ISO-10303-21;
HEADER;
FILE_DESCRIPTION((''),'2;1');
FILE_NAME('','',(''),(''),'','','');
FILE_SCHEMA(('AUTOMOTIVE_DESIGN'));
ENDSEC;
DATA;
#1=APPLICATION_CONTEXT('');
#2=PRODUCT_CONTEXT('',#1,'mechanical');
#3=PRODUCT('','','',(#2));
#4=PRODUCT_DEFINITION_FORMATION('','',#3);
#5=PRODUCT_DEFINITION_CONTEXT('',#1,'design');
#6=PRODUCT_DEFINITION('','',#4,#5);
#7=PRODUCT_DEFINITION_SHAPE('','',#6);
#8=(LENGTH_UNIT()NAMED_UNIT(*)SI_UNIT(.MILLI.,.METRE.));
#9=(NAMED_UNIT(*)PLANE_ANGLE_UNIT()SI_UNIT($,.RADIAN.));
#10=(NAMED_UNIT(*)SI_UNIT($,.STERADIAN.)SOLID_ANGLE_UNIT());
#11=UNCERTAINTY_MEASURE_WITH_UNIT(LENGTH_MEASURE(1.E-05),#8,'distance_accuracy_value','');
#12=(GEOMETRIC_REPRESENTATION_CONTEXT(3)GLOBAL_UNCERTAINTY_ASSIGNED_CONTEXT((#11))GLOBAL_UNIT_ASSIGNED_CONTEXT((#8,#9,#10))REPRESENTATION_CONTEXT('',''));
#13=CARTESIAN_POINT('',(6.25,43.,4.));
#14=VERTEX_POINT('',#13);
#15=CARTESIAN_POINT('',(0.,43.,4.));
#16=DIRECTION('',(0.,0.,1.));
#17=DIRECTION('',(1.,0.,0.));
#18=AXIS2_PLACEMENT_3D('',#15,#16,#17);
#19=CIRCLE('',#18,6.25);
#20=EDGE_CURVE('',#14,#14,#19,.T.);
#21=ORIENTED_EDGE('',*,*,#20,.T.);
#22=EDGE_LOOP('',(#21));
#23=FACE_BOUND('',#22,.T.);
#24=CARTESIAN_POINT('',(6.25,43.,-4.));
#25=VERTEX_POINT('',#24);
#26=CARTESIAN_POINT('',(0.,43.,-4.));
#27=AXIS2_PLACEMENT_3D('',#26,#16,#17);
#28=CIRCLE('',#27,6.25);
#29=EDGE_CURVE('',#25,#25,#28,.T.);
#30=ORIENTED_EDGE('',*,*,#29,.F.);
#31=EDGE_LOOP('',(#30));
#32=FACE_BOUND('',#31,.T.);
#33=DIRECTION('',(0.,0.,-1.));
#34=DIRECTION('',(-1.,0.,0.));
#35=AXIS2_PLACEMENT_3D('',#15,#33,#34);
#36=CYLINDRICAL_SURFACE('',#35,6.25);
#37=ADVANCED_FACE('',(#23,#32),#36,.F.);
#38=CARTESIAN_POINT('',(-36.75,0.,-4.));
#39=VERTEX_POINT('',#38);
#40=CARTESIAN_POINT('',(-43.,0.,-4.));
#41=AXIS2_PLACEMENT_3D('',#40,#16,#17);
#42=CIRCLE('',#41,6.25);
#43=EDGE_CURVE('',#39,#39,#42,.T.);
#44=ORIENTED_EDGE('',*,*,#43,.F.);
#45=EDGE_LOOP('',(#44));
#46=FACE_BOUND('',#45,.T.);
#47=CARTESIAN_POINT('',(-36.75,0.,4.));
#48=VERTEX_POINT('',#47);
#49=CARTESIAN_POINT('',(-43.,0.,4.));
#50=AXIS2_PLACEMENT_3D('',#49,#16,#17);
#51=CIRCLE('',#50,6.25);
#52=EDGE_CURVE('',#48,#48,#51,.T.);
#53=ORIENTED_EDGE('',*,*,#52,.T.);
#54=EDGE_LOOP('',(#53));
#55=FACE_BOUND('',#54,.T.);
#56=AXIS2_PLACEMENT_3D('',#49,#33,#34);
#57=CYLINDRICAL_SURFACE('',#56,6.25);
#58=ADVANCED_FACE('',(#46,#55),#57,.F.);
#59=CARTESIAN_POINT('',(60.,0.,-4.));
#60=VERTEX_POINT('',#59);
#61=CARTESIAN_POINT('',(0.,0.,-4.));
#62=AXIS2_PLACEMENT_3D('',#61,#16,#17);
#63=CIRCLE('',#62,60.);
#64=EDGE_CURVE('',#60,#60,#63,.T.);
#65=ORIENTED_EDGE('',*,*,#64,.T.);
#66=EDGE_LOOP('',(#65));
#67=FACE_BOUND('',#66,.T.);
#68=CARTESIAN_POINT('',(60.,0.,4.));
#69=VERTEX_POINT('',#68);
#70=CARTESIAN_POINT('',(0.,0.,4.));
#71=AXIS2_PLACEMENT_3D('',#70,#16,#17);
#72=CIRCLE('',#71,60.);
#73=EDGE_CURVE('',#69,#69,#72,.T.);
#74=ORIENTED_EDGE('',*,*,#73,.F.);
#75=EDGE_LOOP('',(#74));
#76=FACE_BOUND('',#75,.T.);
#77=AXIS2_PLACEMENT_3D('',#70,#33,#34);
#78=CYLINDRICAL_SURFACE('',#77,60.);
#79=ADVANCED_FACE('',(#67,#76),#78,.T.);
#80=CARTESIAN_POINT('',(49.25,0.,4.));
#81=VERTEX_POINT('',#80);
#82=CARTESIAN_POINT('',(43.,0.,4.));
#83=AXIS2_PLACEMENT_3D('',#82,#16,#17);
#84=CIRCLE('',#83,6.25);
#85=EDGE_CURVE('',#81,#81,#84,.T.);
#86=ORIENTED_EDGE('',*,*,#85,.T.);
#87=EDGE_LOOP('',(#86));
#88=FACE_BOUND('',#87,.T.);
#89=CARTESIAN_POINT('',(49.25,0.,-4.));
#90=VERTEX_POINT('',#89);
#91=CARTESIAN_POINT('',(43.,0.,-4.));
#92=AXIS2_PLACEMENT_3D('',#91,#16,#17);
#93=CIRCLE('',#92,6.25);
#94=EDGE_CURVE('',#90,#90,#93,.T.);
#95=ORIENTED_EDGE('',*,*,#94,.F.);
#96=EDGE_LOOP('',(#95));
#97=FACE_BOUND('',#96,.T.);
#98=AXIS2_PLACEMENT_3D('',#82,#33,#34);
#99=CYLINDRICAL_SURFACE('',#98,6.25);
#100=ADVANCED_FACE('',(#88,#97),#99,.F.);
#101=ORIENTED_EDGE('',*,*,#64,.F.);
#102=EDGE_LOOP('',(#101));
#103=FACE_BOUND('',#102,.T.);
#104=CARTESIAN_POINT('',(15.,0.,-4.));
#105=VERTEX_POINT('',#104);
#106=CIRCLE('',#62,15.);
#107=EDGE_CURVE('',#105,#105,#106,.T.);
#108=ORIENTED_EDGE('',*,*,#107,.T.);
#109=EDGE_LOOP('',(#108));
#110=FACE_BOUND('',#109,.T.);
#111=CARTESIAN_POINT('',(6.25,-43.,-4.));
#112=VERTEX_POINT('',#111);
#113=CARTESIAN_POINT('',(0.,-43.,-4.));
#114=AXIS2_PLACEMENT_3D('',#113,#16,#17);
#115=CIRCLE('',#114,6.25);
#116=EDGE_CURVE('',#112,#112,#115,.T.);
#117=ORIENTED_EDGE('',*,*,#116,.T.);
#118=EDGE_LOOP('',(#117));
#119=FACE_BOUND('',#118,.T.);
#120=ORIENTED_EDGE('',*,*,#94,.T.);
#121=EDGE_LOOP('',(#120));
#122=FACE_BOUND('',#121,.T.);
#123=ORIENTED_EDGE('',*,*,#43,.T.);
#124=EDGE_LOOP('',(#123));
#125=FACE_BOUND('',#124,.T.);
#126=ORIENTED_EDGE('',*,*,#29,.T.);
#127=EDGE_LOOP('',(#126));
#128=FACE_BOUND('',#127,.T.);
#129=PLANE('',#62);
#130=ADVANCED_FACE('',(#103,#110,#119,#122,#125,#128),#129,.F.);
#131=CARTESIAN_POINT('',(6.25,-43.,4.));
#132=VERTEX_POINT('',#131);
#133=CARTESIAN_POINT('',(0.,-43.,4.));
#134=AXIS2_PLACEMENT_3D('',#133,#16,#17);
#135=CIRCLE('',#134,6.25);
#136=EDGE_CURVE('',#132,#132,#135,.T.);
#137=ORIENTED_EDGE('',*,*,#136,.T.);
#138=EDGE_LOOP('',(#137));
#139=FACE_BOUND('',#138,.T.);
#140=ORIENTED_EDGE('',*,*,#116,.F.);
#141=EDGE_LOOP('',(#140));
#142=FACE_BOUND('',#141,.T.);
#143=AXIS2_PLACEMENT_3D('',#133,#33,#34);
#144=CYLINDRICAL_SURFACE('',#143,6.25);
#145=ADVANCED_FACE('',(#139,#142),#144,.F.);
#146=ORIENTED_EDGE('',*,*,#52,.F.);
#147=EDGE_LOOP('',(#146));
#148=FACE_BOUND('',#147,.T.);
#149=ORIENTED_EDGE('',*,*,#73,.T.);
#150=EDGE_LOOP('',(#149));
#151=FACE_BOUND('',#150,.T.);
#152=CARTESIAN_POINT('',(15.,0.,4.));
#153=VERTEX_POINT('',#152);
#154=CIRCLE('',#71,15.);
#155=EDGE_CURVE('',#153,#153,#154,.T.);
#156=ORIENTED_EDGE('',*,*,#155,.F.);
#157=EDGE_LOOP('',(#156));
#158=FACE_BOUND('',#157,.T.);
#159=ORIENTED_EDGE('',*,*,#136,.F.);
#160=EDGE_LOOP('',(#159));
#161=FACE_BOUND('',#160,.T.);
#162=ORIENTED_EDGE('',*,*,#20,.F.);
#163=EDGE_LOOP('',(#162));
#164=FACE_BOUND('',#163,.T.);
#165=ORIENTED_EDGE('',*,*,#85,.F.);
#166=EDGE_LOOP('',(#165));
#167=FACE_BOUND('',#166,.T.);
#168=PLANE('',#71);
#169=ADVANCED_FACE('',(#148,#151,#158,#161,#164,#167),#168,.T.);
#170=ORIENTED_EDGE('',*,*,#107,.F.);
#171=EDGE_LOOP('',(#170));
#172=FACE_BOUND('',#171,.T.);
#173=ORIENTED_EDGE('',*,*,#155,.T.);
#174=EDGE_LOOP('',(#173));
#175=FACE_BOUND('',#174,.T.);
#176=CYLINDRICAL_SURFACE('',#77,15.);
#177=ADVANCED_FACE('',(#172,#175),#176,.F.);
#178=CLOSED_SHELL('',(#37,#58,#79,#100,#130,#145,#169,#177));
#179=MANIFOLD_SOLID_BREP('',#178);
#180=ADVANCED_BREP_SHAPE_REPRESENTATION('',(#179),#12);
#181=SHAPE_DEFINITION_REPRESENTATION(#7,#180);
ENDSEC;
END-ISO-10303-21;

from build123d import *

# Parameters (mm, degrees)
ESQUISSE1_R        = 60
ESQUISSE1_R_2      = 15
ESQUISSE1_R_3      = 6.25
BOSS_EXTRU_1_DEPTH = 4


with BuildPart() as part:
    # Esquisse1 → Boss.-Extru.1 (new body, symmetric)
    with BuildSketch(Plane.XY):
        Circle(ESQUISSE1_R)
        Circle(ESQUISSE1_R_2, mode=Mode.SUBTRACT)
        with Locations((0, 43)):
            Circle(ESQUISSE1_R_3, mode=Mode.SUBTRACT)
        with Locations((-43, 0)):
            Circle(ESQUISSE1_R_3, mode=Mode.SUBTRACT)
        with Locations((0, -43)):
            Circle(ESQUISSE1_R_3, mode=Mode.SUBTRACT)
        with Locations((43, 0)):
            Circle(ESQUISSE1_R_3, mode=Mode.SUBTRACT)
    extrude(amount=BOSS_EXTRU_1_DEPTH, both=True)


solid = part.part
